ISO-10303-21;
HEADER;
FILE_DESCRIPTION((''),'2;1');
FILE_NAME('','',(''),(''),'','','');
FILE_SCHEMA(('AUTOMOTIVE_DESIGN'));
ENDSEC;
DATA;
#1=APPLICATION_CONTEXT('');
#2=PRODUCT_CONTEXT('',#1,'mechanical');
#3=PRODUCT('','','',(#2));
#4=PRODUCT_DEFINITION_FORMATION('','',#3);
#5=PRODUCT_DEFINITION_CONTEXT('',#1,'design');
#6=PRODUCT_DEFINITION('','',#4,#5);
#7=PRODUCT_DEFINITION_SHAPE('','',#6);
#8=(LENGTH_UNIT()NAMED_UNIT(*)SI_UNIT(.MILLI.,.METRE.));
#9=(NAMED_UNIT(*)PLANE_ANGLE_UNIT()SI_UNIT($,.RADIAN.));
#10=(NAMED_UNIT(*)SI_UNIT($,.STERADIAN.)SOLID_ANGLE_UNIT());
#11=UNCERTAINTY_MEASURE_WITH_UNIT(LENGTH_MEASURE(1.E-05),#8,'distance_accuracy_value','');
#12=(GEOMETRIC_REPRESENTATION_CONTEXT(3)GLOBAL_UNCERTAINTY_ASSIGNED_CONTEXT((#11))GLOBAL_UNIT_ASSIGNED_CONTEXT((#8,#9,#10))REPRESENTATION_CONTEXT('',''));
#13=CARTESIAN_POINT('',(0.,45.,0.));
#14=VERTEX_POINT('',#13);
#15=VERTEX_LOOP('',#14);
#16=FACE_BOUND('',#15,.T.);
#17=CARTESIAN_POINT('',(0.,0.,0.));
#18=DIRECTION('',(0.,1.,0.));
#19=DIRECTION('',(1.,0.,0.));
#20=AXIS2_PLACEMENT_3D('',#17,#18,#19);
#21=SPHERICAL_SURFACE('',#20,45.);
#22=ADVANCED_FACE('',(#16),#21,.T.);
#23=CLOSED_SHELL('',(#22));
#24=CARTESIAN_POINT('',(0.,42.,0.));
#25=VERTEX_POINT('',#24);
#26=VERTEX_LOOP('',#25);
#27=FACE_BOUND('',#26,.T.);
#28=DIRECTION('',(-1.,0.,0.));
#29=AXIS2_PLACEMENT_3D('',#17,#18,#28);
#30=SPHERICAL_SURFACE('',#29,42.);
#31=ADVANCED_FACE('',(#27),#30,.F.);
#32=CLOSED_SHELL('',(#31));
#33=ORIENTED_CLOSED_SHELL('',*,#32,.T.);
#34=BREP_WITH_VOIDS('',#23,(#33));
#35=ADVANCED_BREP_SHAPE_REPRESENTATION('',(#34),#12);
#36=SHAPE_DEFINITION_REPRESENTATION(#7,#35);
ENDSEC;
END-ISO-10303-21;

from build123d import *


with BuildPart() as part:
    # Sketch1 → Revolve2 (revolve)
    with BuildSketch(Plane.XY):
        with BuildLine():
            Line((0, 45), (0, 42))
            ThreePointArc((0, 42), (42, 0), (0, -42))
            Line((0, -42), (0, -45))
            ThreePointArc((0, -45), (45, 0), (0, 45))
        make_face()
    revolve(axis=Axis((0, 45, 0), (0, -1, 0)))


solid = part.part
